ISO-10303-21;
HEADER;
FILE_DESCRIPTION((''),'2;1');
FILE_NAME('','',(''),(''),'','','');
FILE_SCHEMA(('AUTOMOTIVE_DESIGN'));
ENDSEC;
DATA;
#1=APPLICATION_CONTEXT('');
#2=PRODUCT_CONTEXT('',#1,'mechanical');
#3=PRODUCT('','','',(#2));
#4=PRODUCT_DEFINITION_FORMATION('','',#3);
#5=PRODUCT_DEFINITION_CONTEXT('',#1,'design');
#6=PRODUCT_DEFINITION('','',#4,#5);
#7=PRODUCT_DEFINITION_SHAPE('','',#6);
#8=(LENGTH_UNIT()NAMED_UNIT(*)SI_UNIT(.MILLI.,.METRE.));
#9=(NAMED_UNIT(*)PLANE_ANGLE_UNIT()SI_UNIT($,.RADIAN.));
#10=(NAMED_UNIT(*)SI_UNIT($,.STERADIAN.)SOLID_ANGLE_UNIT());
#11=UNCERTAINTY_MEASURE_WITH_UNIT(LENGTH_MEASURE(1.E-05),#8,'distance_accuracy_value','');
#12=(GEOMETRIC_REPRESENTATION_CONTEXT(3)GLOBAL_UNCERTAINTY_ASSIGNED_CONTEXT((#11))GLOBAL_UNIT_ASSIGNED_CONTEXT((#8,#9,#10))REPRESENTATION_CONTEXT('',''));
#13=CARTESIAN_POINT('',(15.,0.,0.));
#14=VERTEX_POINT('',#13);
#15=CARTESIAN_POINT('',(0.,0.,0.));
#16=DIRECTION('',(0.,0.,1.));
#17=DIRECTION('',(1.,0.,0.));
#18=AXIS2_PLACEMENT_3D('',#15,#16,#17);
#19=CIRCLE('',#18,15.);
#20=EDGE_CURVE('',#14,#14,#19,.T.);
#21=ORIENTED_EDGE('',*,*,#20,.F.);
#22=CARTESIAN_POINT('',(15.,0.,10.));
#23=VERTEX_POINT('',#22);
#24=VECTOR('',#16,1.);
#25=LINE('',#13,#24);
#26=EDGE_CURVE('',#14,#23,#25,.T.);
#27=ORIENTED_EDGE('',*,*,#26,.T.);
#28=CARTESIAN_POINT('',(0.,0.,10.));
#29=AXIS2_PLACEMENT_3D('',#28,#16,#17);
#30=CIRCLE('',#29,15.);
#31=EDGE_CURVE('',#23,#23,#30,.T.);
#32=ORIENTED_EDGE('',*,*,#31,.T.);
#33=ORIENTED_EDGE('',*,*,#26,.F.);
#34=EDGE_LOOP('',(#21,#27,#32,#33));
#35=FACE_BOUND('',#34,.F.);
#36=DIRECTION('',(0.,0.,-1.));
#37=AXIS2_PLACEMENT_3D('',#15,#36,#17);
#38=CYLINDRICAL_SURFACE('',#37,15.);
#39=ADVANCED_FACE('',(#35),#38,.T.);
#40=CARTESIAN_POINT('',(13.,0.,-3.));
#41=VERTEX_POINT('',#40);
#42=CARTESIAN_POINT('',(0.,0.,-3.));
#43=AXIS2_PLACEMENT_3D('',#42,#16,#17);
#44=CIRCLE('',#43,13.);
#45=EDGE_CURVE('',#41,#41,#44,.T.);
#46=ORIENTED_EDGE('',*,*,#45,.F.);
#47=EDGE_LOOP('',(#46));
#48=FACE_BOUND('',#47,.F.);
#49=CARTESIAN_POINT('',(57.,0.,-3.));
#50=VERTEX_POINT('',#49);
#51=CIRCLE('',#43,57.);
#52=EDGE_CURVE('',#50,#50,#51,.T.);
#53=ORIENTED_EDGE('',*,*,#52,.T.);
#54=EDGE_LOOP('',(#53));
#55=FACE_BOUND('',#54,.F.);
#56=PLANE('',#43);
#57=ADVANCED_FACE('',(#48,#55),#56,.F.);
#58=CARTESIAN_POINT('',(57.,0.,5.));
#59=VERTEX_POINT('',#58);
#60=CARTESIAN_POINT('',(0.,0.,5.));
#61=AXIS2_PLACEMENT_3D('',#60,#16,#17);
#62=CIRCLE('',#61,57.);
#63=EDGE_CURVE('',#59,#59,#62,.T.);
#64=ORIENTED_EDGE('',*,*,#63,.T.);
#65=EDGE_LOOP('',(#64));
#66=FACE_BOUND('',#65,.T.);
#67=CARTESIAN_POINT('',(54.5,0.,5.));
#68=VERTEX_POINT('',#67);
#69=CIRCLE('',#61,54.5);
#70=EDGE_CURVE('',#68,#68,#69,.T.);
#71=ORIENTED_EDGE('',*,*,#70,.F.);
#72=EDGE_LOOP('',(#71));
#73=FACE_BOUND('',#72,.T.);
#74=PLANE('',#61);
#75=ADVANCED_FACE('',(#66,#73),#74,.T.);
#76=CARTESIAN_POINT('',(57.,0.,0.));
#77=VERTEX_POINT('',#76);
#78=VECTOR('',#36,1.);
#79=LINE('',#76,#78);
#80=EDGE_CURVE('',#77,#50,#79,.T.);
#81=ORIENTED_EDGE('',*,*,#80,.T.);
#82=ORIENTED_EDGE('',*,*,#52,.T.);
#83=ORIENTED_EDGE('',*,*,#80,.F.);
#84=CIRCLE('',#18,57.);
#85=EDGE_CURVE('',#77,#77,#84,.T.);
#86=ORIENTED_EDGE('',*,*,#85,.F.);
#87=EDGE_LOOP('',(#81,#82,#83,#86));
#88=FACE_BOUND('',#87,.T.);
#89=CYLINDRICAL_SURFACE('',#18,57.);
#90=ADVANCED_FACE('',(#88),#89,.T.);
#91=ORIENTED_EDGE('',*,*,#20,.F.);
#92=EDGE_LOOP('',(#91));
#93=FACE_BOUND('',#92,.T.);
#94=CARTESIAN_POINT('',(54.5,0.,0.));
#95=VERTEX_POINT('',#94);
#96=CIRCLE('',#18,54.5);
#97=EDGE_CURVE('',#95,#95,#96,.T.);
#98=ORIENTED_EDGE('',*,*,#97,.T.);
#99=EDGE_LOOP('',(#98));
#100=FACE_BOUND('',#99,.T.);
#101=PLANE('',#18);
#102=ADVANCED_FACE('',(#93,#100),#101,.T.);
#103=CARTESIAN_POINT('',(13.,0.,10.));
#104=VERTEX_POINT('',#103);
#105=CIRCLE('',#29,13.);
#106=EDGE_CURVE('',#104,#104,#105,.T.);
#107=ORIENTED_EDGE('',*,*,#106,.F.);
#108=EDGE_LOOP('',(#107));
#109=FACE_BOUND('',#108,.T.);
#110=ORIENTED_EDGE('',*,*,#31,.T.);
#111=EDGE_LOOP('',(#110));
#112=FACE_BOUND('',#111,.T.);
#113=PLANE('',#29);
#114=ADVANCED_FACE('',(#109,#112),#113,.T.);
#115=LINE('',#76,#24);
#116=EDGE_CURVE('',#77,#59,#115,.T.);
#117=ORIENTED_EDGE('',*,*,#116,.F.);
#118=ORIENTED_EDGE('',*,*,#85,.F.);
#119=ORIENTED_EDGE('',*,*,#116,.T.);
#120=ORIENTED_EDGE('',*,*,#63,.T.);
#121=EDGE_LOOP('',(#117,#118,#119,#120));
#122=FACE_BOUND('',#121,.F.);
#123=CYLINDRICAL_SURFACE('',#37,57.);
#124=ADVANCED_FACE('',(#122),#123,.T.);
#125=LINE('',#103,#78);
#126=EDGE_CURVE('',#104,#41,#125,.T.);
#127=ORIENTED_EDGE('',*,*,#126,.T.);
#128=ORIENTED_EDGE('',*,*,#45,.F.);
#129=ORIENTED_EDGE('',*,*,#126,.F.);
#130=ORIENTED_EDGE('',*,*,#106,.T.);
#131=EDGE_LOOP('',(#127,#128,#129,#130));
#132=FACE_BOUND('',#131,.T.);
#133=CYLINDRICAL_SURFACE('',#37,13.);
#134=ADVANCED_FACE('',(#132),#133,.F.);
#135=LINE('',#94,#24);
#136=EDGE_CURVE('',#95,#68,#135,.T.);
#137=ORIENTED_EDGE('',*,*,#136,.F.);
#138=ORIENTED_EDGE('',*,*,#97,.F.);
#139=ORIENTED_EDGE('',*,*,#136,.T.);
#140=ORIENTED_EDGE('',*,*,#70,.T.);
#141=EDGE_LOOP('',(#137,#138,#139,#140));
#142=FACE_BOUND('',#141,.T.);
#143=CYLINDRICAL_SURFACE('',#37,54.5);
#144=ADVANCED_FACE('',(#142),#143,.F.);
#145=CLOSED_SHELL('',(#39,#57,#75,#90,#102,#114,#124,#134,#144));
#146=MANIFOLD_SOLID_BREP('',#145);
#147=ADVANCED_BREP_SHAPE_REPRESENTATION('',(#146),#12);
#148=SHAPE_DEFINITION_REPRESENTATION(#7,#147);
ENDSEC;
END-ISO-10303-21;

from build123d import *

# Parameters (mm, degrees)
F0_R     = 57
F0_R_2   = 54.5
F0_R_3   = 15
F0_R_4   = 13
F1_DEPTH = 3
F2_DEPTH = 5
F3_DEPTH = 10


with BuildPart() as f1:
    # F0 (on Top) → F1 (new body)
    with BuildSketch(Plane.XY):
        Circle(F0_R)
        Circle(F0_R_2, mode=Mode.SUBTRACT)
        Circle(F0_R_2)
        Circle(F0_R_3, mode=Mode.SUBTRACT)
        Circle(F0_R_3)
        Circle(F0_R_4, mode=Mode.SUBTRACT)
    extrude(amount=-F1_DEPTH)

    # F0 (on Top) → F2 (join)
    with BuildSketch(Plane.XY):
        Circle(F0_R)
        Circle(F0_R_2, mode=Mode.SUBTRACT)
    extrude(amount=F2_DEPTH)

    # F0 (on Top) → F3 (join)
    with BuildSketch(Plane.XY):
        Circle(F0_R_3)
        Circle(F0_R_4, mode=Mode.SUBTRACT)
    extrude(amount=F3_DEPTH)


solid = f1.part
